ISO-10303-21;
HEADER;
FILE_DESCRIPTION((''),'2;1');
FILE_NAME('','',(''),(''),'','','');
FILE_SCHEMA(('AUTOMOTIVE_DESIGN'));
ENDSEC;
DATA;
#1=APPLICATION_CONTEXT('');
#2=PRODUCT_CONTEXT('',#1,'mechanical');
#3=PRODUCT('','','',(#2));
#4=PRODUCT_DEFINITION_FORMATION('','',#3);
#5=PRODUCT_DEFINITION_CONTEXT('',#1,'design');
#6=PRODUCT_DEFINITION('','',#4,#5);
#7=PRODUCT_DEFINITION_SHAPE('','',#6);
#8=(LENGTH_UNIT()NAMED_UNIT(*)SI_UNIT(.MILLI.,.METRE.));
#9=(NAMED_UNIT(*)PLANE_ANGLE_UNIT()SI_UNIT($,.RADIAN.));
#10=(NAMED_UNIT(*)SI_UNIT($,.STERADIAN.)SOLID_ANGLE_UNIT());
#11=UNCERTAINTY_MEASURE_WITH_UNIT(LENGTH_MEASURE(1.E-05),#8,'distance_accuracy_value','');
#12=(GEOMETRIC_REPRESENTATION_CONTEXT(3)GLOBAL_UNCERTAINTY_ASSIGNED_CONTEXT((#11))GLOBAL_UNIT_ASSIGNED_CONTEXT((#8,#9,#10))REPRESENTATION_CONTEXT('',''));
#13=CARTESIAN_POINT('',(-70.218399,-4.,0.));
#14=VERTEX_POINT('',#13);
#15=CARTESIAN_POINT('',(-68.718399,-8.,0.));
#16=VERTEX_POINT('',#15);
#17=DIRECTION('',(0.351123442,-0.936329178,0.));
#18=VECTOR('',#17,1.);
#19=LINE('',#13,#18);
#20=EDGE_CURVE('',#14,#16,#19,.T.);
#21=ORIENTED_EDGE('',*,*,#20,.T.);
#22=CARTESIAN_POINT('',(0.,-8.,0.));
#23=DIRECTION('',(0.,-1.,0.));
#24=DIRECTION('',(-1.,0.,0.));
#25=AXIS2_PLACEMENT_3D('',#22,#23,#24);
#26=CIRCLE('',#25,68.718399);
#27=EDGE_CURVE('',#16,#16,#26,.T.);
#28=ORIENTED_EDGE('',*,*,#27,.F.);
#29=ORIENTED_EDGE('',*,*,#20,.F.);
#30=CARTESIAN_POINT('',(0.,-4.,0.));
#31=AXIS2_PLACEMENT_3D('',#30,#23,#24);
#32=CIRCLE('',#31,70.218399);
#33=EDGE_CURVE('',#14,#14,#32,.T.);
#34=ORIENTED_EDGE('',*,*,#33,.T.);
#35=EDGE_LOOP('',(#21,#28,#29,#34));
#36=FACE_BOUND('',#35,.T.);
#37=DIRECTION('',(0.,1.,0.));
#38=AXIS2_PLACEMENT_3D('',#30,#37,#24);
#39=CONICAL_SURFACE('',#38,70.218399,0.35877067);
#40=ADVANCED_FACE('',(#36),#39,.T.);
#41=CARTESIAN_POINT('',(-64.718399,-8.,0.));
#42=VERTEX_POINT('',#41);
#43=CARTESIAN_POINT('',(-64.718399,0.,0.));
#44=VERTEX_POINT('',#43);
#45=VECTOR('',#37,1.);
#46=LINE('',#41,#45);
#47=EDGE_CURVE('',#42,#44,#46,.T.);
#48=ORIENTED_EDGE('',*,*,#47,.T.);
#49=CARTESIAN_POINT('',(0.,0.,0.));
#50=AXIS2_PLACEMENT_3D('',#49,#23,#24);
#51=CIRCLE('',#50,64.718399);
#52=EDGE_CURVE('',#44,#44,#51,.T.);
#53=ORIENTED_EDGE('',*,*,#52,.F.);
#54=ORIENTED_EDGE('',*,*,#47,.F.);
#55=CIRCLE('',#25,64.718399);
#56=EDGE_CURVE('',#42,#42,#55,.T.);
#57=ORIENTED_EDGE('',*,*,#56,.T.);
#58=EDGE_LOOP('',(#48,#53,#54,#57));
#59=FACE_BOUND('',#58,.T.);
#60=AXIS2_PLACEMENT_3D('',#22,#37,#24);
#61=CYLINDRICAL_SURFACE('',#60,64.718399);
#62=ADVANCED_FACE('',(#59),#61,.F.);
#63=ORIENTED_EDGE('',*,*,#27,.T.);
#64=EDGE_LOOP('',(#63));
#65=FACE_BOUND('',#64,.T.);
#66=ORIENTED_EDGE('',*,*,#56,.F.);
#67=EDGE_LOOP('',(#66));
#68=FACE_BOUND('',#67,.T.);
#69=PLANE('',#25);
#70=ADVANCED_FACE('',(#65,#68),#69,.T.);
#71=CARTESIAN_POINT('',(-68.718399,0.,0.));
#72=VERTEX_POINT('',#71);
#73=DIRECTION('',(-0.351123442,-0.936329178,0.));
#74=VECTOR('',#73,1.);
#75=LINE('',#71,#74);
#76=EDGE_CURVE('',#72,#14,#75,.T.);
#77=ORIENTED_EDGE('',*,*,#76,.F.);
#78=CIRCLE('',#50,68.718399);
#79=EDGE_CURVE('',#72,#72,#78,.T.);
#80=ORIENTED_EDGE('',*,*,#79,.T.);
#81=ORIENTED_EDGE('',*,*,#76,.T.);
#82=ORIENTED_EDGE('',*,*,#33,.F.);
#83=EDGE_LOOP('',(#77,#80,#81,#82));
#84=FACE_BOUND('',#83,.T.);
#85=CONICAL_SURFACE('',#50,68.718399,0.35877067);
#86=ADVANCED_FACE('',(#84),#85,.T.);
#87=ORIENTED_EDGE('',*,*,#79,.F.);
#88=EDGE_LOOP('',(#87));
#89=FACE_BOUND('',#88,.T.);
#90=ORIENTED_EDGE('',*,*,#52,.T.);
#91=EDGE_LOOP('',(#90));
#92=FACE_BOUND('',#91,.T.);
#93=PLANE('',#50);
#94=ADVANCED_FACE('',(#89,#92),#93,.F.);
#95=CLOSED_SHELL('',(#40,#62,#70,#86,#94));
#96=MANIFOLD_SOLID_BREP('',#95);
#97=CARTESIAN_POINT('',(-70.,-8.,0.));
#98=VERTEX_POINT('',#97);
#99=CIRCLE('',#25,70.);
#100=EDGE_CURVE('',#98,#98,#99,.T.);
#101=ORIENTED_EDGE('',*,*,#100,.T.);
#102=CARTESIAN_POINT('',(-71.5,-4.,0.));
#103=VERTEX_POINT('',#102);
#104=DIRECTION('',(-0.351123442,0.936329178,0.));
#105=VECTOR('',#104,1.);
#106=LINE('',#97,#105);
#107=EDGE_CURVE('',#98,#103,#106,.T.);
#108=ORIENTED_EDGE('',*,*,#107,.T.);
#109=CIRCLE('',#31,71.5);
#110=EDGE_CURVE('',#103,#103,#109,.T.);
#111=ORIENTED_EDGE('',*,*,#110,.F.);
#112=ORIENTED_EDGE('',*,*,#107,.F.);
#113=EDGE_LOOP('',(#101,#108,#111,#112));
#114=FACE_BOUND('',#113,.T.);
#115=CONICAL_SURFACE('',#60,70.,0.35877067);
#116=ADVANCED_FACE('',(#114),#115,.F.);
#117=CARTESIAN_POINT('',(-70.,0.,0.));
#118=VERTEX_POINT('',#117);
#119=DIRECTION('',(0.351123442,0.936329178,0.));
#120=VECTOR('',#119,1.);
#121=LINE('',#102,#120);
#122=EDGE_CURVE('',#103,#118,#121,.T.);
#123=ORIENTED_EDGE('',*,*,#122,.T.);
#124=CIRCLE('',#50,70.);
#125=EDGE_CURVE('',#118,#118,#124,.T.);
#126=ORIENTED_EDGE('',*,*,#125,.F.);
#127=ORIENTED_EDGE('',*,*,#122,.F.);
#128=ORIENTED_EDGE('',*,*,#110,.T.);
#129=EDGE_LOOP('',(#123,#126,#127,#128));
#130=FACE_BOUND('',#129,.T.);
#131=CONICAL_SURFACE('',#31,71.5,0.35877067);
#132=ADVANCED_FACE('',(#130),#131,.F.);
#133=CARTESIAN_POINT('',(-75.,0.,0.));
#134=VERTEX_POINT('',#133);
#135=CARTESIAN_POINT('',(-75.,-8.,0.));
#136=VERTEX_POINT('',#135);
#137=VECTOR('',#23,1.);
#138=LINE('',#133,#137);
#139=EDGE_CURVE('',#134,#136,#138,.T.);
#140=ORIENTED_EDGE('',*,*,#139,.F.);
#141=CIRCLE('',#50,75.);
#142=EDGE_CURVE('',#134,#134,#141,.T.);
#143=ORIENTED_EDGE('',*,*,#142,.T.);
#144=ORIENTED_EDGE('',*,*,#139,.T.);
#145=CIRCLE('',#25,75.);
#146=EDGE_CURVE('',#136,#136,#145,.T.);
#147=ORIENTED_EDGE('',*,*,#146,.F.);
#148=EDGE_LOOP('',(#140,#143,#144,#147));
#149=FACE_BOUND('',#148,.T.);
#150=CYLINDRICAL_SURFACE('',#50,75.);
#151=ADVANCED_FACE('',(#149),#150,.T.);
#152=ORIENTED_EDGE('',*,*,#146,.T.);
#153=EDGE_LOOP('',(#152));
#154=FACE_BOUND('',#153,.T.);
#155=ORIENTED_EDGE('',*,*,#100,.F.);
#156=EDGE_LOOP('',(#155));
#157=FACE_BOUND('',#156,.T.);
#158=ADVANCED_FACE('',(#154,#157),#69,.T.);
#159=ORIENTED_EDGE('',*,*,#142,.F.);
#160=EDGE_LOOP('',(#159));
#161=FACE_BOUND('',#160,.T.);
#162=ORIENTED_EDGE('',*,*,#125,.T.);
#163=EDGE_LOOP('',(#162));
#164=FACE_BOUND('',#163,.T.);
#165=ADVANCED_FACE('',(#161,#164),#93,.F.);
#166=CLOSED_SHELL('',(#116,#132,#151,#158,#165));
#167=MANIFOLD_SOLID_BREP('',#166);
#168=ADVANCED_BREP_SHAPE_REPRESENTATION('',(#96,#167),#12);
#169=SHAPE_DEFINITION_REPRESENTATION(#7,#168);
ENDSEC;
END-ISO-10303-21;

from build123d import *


with BuildPart() as f3:
    # F1 (on Top) → F3 (revolve)
    with BuildSketch(Plane.XY):
        Polygon((-71.5, -4), (-70, 0), (-75, 0), (-75, -8), (-70, -8), align=None)
        Polygon((-68.718399, 0), (-70.218399, -4), (-68.718399, -8), (-64.718399, -8), (-64.718399, 0), align=None)
    revolve(axis=Axis((0, -15.501533, 0), (0, -1, 0)))


solid = f3.part
